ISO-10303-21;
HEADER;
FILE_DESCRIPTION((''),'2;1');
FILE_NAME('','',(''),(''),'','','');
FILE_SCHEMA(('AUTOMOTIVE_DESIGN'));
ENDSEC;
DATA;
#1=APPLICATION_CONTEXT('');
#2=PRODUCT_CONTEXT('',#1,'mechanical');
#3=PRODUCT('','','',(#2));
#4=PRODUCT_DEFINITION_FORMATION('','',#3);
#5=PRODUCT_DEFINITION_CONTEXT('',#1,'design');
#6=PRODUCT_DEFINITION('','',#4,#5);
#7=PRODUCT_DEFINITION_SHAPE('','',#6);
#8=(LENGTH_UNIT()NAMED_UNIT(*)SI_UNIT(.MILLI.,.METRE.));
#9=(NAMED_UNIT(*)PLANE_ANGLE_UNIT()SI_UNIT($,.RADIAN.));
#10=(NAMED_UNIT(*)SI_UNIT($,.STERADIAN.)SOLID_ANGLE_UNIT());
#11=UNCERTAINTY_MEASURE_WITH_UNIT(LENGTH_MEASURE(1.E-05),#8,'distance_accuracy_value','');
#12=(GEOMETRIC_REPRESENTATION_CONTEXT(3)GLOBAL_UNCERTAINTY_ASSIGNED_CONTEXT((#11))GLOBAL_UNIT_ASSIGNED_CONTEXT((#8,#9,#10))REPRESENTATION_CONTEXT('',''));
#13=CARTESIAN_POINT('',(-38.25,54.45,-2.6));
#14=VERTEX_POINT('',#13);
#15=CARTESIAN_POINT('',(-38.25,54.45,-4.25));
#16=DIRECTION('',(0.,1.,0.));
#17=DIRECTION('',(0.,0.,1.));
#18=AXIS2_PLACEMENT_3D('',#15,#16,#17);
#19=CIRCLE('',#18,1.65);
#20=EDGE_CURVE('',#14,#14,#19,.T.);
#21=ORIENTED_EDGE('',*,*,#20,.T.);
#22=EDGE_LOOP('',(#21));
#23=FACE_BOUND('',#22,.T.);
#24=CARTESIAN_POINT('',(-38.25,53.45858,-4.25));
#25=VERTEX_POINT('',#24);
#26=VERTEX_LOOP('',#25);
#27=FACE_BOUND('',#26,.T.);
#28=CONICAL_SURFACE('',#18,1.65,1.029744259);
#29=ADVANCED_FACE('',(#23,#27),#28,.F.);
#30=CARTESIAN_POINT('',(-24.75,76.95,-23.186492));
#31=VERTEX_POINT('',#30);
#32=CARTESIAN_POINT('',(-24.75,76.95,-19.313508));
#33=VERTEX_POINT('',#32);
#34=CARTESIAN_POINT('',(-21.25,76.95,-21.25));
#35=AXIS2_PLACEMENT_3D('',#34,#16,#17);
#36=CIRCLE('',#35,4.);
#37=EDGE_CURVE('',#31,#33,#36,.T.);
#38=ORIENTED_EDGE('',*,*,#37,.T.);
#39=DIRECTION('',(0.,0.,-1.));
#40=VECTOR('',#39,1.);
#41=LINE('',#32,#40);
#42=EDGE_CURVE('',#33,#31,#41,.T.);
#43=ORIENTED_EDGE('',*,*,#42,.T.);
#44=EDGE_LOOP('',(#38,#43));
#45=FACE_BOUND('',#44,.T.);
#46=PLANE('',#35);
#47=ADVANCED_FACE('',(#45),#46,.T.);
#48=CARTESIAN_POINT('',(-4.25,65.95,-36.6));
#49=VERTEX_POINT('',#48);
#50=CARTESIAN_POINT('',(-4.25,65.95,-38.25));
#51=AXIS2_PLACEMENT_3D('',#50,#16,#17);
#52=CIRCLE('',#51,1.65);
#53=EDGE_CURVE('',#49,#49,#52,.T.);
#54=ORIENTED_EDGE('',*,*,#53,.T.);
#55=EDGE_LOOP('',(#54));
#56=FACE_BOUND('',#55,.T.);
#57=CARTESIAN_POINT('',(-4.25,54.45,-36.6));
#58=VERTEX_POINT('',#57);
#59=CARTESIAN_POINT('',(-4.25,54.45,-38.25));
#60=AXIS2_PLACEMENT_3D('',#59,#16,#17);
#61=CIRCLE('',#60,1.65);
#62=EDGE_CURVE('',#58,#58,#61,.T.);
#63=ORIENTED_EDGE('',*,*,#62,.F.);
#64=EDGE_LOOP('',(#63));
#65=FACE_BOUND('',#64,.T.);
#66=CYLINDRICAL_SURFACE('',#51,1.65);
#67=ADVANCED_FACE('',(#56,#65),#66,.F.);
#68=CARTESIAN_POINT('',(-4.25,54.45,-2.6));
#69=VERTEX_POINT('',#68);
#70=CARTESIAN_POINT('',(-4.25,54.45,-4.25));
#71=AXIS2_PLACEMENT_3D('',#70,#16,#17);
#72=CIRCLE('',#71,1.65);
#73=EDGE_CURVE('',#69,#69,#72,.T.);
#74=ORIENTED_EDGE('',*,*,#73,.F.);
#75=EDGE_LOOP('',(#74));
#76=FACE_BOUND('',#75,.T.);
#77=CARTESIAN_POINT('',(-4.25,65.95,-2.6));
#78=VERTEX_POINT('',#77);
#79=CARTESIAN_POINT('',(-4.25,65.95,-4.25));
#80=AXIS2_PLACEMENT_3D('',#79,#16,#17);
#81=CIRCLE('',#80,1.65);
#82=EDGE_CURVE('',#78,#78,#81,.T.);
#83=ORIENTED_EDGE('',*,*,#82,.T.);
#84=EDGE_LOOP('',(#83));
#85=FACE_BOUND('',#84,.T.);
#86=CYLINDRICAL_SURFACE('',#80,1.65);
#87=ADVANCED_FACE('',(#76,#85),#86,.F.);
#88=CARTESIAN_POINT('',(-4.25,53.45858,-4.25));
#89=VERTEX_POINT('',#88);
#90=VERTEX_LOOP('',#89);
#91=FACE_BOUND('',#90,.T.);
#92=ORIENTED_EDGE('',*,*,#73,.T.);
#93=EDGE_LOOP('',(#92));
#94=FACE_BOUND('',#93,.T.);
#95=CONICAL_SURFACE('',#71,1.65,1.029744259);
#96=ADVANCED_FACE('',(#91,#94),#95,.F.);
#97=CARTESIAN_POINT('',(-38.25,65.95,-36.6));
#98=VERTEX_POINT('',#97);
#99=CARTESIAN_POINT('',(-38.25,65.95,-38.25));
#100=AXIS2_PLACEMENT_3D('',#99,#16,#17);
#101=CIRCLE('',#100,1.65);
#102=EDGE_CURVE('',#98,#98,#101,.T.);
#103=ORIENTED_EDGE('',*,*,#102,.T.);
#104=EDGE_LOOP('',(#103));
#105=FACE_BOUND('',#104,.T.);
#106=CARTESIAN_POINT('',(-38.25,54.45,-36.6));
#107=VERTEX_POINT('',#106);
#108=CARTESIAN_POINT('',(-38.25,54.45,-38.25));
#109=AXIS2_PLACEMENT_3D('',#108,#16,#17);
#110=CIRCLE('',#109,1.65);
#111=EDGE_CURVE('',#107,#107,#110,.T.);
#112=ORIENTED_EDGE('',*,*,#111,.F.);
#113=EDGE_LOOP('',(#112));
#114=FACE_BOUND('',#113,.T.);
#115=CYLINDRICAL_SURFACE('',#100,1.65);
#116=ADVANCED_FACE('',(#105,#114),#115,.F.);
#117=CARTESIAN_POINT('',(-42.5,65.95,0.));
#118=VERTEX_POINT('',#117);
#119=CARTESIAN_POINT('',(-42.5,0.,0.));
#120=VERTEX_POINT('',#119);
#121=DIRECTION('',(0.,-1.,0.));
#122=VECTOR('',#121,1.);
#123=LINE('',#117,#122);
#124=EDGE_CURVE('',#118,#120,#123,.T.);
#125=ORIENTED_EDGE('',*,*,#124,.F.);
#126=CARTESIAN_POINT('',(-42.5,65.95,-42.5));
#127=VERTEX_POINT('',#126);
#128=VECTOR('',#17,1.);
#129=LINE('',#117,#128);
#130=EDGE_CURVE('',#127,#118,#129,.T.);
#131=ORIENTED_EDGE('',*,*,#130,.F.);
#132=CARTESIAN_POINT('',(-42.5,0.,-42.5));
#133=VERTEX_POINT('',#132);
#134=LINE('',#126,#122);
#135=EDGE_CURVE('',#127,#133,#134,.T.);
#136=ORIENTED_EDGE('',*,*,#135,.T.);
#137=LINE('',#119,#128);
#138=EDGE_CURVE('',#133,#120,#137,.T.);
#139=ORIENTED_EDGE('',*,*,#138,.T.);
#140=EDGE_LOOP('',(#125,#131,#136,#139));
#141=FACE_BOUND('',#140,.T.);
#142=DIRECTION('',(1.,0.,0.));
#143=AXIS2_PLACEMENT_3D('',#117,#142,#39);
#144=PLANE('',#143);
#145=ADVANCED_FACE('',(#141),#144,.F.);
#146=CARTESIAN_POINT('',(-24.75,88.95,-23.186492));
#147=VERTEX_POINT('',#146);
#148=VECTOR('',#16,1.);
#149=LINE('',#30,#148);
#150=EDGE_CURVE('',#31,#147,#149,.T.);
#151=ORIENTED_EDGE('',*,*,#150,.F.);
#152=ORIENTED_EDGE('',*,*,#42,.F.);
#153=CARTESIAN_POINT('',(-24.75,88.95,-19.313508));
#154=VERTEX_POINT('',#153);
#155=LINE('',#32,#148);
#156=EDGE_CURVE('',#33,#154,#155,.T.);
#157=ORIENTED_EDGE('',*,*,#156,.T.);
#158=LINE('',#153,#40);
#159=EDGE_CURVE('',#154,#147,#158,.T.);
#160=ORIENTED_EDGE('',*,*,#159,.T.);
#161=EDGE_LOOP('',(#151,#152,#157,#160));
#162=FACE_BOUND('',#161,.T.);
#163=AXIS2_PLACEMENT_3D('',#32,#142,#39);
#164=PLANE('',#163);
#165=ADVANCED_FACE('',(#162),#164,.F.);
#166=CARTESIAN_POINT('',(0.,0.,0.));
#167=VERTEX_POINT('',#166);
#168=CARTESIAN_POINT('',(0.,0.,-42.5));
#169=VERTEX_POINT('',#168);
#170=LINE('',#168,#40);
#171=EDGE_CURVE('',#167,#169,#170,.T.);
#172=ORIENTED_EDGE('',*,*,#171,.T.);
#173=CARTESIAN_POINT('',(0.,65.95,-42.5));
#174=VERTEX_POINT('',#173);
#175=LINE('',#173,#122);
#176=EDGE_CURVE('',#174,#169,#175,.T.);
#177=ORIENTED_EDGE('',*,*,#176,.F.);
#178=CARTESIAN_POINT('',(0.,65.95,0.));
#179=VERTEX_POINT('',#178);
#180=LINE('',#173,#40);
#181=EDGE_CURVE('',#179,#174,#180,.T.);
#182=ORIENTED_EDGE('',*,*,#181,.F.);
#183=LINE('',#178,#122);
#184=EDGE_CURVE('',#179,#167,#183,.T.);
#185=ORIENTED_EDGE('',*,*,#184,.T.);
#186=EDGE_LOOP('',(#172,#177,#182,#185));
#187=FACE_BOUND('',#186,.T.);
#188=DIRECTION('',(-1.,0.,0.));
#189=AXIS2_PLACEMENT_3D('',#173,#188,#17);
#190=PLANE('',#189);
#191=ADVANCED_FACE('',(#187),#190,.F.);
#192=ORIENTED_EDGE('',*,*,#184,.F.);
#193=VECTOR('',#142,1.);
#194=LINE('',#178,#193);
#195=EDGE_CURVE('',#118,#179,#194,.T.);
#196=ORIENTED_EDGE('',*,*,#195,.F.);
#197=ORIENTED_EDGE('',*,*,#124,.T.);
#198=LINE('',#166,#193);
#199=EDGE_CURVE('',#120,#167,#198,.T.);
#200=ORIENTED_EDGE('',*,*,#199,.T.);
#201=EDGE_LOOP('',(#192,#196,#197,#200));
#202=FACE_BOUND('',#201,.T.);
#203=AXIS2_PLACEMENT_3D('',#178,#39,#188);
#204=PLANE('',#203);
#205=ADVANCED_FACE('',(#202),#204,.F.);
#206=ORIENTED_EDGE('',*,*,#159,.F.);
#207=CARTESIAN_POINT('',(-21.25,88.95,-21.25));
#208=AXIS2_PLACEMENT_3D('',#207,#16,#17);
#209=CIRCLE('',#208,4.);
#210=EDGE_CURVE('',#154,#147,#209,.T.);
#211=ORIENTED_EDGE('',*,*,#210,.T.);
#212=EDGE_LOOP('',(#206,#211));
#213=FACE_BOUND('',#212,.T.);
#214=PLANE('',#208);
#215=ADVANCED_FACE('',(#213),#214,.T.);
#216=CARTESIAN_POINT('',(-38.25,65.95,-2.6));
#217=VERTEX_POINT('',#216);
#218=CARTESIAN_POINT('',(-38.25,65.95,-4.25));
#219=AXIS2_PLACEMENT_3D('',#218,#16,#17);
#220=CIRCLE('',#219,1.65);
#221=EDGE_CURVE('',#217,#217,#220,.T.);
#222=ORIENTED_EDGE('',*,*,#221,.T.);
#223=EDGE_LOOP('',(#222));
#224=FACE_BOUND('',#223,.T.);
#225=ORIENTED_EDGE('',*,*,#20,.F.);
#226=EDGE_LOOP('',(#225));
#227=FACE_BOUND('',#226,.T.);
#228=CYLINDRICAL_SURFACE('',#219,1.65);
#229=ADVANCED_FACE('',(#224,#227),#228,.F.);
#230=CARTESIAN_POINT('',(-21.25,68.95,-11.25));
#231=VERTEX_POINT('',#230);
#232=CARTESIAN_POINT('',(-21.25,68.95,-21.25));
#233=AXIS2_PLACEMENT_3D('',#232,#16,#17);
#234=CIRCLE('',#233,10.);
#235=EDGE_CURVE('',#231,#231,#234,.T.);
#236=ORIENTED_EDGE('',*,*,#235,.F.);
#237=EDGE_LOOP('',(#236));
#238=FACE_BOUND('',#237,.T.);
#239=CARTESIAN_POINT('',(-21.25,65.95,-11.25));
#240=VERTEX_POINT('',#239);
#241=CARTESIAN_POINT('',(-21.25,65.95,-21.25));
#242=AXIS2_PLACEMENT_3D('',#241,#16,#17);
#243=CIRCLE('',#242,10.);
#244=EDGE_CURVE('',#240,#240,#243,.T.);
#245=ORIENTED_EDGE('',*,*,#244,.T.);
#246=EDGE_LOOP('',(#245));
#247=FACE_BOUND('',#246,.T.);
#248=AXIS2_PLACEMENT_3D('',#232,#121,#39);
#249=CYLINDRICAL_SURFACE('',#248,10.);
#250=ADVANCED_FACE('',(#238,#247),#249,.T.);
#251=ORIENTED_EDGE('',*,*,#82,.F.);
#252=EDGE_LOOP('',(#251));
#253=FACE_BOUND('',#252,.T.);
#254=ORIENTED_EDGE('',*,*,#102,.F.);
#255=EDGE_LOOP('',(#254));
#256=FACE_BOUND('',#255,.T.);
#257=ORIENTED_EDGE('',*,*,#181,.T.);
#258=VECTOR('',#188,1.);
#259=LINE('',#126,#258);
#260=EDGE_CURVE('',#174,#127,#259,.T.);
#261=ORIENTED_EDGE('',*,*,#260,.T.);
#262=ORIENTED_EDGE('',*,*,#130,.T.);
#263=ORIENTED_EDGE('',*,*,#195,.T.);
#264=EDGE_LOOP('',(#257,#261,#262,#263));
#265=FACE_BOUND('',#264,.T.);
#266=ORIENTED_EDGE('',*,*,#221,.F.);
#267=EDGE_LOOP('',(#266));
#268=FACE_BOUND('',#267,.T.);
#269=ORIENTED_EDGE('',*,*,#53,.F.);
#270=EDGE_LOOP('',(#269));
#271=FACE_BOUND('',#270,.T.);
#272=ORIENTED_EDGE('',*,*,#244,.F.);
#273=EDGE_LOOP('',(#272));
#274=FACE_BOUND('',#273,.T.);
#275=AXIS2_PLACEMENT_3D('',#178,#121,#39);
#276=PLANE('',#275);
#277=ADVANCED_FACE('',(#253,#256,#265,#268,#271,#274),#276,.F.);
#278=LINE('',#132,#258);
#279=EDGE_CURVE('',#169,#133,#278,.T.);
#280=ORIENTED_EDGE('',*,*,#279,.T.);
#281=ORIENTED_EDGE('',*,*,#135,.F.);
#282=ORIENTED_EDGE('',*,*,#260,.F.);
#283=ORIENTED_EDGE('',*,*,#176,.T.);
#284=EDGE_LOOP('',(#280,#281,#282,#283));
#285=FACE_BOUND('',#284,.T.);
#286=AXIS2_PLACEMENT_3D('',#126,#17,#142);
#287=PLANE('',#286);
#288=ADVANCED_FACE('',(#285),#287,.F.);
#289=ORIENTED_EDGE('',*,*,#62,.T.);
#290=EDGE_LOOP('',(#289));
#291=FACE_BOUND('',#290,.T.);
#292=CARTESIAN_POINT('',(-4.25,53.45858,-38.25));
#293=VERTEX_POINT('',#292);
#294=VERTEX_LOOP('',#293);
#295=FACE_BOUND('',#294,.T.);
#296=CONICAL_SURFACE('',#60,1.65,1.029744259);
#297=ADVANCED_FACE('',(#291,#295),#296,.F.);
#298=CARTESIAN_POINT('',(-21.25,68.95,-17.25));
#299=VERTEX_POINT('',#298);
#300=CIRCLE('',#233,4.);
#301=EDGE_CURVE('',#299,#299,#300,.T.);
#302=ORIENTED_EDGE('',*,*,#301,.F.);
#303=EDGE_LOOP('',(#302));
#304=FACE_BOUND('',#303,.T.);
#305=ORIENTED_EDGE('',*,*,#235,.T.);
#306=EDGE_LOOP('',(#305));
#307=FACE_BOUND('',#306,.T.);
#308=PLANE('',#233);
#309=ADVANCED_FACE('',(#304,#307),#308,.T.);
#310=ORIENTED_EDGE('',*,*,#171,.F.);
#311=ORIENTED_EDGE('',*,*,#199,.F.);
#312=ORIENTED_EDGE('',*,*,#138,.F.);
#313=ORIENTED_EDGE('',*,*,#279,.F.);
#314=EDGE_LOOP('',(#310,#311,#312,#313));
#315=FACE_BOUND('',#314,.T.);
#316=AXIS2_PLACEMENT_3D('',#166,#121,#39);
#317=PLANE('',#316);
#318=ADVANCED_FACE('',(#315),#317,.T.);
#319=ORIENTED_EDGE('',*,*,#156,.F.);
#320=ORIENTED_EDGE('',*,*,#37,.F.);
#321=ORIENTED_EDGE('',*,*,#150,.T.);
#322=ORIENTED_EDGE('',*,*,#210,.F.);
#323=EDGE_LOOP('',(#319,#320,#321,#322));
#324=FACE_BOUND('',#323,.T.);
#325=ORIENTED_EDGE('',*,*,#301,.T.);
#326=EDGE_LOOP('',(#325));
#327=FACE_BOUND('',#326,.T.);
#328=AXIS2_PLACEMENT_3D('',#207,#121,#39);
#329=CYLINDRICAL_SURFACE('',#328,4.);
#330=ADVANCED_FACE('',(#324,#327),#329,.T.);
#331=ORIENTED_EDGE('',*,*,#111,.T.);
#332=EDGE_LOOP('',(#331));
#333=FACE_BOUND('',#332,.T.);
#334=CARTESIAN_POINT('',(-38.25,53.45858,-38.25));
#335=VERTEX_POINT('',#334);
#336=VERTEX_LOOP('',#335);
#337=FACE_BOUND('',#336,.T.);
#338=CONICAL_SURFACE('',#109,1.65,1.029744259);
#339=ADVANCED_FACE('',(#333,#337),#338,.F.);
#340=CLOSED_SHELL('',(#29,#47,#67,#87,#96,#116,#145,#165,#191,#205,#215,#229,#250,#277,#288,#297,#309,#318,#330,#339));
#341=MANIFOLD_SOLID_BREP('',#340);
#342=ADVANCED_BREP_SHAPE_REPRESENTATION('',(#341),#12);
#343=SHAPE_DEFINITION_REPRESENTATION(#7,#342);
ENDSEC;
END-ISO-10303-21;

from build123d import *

# Parameters (mm, degrees)
SKETCH_1_W          = 42.5
SKETCH_1_H          = 42.5
EXTRUDE_1_DEPTH     = 65.95
SKETCH_2_R          = 10
EXTRUDE_2_DEPTH     = 3
SKETCH_3_R          = 4
EXTRUDE_3_DEPTH     = 20
HOLE_WIZARD_3_D     = 3.3
HOLE_WIZARD_3_DEPTH = 11.5
HOLE_WIZARD_3_TIP   = 0.991420021
EXTRUDE_4_DEPTH     = 12


with BuildPart() as part:
    # 스케치1 → 돌출1 (new body)
    with BuildSketch(Plane(origin=(0, 0, 0), x_dir=(-1, 0, 0), z_dir=(0, 1, 0))):
        with Locations((21.25, -21.25)):
            Rectangle(SKETCH_1_W, SKETCH_1_H)
    extrude(amount=EXTRUDE_1_DEPTH)

    # 스케치2 → 돌출2 (add)
    with BuildSketch(Plane(origin=(0, 65.95, 0), x_dir=(-1, 0, 0), z_dir=(0, 1, 0))):
        with Locations((21.25, -21.25)):
            Circle(SKETCH_2_R)
    extrude(amount=EXTRUDE_2_DEPTH)

    # 스케치3 → 돌출3 (add)
    with BuildSketch(Plane(origin=(0, 68.95, 0), x_dir=(-1, 0, 0), z_dir=(0, 1, 0))):
        with Locations((21.25, -21.25)):
            Circle(SKETCH_3_R)
    extrude(amount=EXTRUDE_3_DEPTH)

    # 구멍3
    with Locations(Plane(origin=(0, 65.95, 0), x_dir=(1, 0, 0), z_dir=(0, 1, 0))):
        with Locations((-4.25, 38.25), (-4.25, 4.25), (-38.25, 4.25), (-38.25, 38.25)):
            Hole(HOLE_WIZARD_3_D / 2, depth=HOLE_WIZARD_3_DEPTH)
            with Locations((0, 0, -(HOLE_WIZARD_3_DEPTH + HOLE_WIZARD_3_TIP / 2))):  # 118° drill point
                Cone(0, HOLE_WIZARD_3_D / 2, HOLE_WIZARD_3_TIP, mode=Mode.SUBTRACT)

    # 스케치6 → 돌출4 (cut)
    with BuildSketch(Plane(origin=(0, 88.95, 0), x_dir=(-1, 0, 0), z_dir=(0, 1, 0))):
        with BuildLine():
            Line((24.75, -19.313508327), (24.75, -23.186491673))
            ThreePointArc((24.75, -23.186491673), (25.25, -21.25), (24.75, -19.313508327))
        make_face()
    extrude(amount=-EXTRUDE_4_DEPTH, mode=Mode.SUBTRACT)


solid = part.part
